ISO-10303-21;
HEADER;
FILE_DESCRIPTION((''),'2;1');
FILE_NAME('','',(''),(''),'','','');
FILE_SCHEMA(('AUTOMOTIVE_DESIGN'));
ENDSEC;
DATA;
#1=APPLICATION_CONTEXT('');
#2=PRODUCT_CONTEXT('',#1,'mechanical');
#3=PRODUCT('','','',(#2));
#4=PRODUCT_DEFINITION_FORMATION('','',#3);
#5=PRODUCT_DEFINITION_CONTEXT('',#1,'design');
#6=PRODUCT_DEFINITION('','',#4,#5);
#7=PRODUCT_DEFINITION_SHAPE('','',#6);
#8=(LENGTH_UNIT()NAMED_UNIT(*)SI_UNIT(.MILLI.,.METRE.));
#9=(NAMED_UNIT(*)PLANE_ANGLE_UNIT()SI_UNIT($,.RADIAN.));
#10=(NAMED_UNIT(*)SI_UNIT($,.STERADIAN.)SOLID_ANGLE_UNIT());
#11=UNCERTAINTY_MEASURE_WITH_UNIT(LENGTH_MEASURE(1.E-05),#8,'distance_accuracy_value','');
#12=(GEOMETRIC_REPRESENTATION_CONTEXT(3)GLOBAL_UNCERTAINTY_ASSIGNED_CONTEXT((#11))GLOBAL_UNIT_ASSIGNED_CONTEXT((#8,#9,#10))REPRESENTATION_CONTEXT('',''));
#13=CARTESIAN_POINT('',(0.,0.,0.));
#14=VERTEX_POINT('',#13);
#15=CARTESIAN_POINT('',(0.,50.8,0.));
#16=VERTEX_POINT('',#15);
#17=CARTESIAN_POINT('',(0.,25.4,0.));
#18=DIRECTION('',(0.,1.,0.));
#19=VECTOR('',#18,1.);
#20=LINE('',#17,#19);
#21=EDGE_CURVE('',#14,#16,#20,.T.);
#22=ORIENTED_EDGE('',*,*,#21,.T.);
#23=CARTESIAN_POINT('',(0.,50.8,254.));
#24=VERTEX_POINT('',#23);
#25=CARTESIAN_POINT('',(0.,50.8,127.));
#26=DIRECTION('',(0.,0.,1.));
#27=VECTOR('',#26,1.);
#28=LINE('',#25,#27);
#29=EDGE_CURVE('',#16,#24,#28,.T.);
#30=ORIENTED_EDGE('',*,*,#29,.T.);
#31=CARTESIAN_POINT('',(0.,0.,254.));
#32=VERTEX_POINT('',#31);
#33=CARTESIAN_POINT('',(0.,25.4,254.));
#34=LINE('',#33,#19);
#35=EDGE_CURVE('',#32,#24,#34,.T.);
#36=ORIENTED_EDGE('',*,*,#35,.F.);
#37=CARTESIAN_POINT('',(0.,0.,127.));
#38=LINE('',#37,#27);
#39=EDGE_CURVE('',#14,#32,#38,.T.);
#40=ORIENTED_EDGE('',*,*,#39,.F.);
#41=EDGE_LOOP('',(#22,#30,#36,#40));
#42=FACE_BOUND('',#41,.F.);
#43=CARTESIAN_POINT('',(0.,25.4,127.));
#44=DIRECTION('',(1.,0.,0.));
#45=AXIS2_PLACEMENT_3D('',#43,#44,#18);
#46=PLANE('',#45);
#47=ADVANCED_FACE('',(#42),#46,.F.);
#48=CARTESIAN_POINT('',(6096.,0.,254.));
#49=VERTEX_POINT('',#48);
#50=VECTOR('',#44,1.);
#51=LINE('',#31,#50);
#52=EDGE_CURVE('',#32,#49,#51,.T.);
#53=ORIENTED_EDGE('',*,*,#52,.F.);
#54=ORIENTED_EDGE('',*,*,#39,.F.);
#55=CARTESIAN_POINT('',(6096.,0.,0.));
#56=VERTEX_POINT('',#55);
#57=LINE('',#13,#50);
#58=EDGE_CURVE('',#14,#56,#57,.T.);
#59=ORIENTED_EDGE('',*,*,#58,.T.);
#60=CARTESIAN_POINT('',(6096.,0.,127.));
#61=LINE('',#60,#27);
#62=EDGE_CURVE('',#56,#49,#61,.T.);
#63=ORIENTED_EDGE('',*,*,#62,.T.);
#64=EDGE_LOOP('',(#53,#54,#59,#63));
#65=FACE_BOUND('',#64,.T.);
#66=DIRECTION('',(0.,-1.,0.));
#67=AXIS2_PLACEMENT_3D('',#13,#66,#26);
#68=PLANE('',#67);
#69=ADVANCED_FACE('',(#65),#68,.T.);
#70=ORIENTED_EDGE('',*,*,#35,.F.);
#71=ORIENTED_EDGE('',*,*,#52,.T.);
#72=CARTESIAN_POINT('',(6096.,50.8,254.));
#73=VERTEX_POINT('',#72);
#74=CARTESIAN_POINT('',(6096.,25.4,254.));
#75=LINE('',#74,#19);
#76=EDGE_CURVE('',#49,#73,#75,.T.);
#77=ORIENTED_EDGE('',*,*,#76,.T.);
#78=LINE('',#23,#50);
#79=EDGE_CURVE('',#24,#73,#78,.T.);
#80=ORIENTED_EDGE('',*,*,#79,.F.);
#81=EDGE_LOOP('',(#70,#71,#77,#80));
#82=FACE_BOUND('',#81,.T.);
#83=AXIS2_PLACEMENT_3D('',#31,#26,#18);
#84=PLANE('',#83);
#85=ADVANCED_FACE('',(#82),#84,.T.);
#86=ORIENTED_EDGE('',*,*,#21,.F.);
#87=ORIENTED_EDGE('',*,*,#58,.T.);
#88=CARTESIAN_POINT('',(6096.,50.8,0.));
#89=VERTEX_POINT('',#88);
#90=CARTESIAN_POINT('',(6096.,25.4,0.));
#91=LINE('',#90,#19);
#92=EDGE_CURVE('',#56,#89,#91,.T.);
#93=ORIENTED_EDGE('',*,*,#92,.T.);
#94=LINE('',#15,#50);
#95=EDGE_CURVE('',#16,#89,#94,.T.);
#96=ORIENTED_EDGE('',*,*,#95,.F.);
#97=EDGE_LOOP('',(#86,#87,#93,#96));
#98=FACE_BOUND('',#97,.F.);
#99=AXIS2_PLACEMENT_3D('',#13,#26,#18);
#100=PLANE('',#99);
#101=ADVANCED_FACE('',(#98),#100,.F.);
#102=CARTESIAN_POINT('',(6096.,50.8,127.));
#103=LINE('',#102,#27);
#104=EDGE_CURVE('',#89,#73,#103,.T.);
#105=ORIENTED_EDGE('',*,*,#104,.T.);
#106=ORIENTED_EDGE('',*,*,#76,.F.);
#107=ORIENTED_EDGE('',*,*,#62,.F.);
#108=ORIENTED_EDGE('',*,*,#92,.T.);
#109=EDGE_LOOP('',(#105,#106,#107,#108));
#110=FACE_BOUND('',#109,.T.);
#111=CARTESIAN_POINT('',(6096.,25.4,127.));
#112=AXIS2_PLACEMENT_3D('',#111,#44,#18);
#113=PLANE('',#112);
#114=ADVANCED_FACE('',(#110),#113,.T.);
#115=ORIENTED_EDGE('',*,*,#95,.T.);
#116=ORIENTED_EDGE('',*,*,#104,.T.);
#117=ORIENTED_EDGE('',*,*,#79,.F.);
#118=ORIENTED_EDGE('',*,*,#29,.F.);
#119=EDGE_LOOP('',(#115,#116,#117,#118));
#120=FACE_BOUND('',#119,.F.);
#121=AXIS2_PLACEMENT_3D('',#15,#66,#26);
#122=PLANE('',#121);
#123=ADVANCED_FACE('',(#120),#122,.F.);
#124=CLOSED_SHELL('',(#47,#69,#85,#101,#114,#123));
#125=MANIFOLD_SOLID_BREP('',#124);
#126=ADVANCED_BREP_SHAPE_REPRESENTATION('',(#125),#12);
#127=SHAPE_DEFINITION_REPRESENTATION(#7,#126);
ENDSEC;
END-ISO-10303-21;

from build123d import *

# Parameters (mm, degrees)
SKETCH_W  = 50.8
SKETCH_H  = 254
PAD_DEPTH = 6096


with BuildPart() as part:
    # Sketch → Pad (new body)
    with BuildSketch(Plane.YZ):
        with Locations((25.4, 127)):
            Rectangle(SKETCH_W, SKETCH_H)
    extrude(amount=PAD_DEPTH)


solid = part.part
